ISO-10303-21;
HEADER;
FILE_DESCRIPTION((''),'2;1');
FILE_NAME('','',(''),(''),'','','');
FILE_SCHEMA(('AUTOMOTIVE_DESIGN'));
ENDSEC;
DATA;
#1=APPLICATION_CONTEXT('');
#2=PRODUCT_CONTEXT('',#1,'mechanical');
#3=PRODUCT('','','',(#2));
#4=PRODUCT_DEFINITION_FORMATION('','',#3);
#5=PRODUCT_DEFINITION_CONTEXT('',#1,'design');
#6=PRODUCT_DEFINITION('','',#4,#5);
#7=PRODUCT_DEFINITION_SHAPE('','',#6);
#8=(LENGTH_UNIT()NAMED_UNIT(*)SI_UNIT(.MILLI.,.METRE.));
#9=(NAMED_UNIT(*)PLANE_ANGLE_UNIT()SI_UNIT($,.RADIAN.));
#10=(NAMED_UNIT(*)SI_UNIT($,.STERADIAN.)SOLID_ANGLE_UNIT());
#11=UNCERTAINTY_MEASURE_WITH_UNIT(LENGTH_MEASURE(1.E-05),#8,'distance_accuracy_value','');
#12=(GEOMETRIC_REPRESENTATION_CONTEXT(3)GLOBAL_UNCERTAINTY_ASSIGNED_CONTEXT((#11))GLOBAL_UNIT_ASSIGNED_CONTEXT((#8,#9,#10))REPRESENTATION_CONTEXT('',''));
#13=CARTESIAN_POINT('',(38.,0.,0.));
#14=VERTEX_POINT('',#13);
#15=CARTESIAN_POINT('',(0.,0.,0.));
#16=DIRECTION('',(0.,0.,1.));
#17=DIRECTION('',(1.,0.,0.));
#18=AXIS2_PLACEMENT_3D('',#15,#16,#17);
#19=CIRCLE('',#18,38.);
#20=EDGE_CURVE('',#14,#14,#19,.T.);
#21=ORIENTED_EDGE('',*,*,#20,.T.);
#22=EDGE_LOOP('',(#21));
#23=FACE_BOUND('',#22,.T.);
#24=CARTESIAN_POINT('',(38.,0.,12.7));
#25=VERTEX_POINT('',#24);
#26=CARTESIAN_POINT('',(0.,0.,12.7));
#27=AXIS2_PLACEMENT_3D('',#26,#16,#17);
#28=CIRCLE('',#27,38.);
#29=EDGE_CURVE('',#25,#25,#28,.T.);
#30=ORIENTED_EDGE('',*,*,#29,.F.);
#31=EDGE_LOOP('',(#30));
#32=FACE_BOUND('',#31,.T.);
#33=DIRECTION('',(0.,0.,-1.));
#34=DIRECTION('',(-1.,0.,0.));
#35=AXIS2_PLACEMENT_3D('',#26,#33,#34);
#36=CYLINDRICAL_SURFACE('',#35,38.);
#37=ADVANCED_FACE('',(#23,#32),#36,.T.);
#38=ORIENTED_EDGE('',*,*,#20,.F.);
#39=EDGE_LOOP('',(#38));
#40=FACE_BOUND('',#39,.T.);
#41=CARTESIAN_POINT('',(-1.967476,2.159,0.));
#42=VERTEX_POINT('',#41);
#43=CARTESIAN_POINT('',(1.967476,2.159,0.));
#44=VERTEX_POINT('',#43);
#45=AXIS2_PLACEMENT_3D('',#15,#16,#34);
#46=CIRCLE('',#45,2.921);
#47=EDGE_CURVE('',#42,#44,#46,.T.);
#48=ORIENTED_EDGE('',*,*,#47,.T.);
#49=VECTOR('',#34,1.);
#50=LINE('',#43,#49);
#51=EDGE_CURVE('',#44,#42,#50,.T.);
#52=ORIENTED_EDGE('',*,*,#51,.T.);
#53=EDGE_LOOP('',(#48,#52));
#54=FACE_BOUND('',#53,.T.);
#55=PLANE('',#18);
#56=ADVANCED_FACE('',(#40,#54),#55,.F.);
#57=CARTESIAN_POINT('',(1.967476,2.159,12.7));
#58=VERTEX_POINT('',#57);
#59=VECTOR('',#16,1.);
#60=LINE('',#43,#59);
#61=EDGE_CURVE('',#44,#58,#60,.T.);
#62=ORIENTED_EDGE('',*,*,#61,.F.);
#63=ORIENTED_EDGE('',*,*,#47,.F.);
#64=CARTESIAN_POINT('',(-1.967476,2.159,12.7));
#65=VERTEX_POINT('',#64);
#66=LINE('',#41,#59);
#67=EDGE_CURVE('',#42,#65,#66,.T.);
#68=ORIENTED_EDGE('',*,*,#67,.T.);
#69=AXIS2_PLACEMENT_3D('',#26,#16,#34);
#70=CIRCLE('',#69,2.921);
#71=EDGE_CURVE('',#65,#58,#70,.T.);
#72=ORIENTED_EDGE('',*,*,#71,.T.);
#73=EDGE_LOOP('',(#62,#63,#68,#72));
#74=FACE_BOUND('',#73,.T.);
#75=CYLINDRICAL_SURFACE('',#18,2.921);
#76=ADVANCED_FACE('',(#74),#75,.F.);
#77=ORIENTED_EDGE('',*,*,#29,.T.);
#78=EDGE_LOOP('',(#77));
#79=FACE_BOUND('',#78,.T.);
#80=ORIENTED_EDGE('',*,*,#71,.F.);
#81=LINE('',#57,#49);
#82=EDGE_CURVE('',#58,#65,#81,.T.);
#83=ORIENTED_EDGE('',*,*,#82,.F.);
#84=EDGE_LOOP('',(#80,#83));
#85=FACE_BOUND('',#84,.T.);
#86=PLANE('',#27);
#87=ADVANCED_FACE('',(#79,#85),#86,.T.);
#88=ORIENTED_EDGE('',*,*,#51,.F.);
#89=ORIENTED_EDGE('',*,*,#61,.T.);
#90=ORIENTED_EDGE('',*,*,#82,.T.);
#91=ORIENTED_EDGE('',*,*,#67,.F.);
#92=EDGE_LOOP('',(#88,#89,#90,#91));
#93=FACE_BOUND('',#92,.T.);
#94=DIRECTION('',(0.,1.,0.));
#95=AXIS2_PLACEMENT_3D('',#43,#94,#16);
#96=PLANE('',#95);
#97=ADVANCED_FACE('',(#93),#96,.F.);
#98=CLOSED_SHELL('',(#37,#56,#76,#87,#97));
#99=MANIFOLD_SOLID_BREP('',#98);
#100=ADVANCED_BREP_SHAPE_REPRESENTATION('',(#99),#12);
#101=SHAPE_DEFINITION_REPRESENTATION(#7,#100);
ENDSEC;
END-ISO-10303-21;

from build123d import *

# Parameters (mm, degrees)
SKETCH1_R           = 37.999999946
BOSS_EXTRUDE1_DEPTH = 12.7
CUT_EXTRUDE1_DEPTH  = 56.2203766


with BuildPart() as part:
    # Sketch1 → Boss-Extrude1 (new body)
    with BuildSketch(Plane.XY):
        Circle(SKETCH1_R)
    extrude(amount=BOSS_EXTRUDE1_DEPTH)

    # Sketch2 → Cut-Extrude1 (cut, through all)
    with BuildSketch(Plane.XY.offset(12.7)):
        with BuildLine():
            Line((1.96747554, 2.159), (-1.96747554, 2.159))
            ThreePointArc((-1.96747554, 2.159), (0, -2.921), (1.96747554, 2.159))
        make_face()
    extrude(amount=-CUT_EXTRUDE1_DEPTH, mode=Mode.SUBTRACT)


solid = part.part
